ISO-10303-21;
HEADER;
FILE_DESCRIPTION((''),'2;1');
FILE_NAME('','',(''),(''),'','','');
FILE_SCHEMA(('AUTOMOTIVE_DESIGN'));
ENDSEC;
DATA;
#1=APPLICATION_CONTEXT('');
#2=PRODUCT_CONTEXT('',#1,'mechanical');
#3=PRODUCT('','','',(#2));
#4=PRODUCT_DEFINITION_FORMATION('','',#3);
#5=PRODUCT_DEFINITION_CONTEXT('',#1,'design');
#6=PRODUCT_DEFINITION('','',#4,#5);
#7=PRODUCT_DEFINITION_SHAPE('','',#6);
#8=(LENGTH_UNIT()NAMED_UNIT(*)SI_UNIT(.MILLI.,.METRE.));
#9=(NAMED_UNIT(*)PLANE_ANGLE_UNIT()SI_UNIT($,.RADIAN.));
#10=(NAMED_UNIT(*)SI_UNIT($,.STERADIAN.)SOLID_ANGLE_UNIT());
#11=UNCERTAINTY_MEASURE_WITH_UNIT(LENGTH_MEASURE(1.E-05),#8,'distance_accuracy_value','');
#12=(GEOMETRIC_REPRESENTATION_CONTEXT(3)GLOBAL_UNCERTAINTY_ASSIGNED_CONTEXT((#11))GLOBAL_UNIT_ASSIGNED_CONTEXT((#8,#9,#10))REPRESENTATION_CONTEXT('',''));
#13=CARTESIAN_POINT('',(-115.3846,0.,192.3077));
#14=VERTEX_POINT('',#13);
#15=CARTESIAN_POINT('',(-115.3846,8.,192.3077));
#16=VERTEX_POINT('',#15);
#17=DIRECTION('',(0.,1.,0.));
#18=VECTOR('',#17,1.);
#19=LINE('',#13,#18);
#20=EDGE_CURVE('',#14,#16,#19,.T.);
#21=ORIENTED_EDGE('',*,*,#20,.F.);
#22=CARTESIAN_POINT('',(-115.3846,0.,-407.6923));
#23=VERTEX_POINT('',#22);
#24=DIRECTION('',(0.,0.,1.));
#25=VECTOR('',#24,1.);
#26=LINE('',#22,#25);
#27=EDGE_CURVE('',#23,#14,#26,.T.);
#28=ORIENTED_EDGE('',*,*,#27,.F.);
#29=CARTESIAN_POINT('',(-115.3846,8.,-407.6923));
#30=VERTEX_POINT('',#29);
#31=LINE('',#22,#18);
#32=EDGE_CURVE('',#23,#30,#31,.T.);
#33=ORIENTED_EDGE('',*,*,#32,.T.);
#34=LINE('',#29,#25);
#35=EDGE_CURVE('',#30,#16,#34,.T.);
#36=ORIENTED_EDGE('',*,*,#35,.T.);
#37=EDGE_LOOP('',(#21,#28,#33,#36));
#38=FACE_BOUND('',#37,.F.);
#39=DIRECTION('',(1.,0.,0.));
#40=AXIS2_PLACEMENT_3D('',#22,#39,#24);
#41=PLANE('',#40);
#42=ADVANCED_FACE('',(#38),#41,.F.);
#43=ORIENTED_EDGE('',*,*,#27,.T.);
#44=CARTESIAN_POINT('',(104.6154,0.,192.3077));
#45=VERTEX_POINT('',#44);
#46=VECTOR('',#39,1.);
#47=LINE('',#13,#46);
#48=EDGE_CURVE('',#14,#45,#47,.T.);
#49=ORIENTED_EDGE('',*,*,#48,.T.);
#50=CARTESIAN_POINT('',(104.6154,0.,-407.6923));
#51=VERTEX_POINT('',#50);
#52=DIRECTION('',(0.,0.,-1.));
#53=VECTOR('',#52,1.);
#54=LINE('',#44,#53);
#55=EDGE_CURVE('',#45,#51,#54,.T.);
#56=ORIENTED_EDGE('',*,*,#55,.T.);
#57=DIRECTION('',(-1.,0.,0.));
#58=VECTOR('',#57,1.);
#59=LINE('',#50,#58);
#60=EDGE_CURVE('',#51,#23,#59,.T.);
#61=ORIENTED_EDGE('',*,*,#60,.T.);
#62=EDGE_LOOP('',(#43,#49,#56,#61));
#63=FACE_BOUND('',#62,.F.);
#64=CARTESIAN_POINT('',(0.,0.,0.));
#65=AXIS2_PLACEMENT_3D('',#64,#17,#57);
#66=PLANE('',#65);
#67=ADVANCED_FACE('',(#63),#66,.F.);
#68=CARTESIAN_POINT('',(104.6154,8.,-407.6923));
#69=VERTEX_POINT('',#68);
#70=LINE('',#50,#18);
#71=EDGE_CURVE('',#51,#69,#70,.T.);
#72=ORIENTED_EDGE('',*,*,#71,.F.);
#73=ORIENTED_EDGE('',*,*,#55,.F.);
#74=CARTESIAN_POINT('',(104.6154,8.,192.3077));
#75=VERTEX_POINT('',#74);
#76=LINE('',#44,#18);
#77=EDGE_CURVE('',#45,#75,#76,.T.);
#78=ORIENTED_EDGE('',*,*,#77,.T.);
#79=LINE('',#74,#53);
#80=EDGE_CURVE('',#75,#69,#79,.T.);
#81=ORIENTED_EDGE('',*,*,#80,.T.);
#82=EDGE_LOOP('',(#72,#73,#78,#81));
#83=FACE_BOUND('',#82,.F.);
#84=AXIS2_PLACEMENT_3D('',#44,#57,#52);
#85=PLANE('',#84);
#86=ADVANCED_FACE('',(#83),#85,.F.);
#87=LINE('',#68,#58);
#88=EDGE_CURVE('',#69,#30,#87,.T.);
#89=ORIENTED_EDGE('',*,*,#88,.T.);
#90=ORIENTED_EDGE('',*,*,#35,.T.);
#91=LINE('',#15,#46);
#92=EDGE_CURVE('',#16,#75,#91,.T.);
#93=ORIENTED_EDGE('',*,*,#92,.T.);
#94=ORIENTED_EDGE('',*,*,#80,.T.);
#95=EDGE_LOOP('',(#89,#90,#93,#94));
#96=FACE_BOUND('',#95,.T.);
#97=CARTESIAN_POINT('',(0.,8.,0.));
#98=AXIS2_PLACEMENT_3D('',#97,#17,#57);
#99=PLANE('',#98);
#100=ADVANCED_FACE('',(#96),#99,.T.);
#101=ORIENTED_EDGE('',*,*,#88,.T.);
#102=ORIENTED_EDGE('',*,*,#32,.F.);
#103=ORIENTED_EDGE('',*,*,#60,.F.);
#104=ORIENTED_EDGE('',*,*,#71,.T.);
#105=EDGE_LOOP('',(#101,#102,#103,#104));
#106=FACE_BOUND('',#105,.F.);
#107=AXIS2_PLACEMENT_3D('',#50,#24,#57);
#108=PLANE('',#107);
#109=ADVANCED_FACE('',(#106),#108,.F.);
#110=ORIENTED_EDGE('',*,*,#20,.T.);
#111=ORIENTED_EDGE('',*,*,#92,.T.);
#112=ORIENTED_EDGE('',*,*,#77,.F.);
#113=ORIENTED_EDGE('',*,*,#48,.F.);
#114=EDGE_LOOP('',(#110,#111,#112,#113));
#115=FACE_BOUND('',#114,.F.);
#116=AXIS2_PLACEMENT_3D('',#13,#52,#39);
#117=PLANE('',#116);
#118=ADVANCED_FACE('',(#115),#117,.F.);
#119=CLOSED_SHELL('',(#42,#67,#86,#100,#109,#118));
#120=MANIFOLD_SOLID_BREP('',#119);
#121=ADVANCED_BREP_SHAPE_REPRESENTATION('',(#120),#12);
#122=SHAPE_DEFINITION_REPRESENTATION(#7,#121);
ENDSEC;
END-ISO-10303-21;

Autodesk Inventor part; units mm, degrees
ref_plane "YZ Plane" through (0, 0, 0) normal (1, 0, 0) x (0, 1, 0)
ref_plane "XZ Plane" through (0, 0, 0) normal (0, 1, 0) x (-1, 0, 0)
ref_plane "XY Plane" through (0, 0, 0) normal (0, 0, 1) x (1, 0, 0)
sketch "Sketch1" plane through (0, 0, 0) normal (0, 1, 0) x (-1, 0, 0)
  line L0 (115.3846, 192.3077) -> (-104.6154, 192.3077)
  line L1 (-104.6154, 192.3077) -> (-104.6154, -407.6923)
  line L2 (-104.6154, -407.6923) -> (115.3846, -407.6923)
  line L3 (115.3846, -407.6923) -> (115.3846, 192.3077)
  point P0 (0, 0)
  dimension "d0" = 220
  dimension "d1" = 600
extrude "Extrusion1" add sketch "Sketch1" along normal blind 8
properties part number "AxisY" material "Aluminum 6061"
